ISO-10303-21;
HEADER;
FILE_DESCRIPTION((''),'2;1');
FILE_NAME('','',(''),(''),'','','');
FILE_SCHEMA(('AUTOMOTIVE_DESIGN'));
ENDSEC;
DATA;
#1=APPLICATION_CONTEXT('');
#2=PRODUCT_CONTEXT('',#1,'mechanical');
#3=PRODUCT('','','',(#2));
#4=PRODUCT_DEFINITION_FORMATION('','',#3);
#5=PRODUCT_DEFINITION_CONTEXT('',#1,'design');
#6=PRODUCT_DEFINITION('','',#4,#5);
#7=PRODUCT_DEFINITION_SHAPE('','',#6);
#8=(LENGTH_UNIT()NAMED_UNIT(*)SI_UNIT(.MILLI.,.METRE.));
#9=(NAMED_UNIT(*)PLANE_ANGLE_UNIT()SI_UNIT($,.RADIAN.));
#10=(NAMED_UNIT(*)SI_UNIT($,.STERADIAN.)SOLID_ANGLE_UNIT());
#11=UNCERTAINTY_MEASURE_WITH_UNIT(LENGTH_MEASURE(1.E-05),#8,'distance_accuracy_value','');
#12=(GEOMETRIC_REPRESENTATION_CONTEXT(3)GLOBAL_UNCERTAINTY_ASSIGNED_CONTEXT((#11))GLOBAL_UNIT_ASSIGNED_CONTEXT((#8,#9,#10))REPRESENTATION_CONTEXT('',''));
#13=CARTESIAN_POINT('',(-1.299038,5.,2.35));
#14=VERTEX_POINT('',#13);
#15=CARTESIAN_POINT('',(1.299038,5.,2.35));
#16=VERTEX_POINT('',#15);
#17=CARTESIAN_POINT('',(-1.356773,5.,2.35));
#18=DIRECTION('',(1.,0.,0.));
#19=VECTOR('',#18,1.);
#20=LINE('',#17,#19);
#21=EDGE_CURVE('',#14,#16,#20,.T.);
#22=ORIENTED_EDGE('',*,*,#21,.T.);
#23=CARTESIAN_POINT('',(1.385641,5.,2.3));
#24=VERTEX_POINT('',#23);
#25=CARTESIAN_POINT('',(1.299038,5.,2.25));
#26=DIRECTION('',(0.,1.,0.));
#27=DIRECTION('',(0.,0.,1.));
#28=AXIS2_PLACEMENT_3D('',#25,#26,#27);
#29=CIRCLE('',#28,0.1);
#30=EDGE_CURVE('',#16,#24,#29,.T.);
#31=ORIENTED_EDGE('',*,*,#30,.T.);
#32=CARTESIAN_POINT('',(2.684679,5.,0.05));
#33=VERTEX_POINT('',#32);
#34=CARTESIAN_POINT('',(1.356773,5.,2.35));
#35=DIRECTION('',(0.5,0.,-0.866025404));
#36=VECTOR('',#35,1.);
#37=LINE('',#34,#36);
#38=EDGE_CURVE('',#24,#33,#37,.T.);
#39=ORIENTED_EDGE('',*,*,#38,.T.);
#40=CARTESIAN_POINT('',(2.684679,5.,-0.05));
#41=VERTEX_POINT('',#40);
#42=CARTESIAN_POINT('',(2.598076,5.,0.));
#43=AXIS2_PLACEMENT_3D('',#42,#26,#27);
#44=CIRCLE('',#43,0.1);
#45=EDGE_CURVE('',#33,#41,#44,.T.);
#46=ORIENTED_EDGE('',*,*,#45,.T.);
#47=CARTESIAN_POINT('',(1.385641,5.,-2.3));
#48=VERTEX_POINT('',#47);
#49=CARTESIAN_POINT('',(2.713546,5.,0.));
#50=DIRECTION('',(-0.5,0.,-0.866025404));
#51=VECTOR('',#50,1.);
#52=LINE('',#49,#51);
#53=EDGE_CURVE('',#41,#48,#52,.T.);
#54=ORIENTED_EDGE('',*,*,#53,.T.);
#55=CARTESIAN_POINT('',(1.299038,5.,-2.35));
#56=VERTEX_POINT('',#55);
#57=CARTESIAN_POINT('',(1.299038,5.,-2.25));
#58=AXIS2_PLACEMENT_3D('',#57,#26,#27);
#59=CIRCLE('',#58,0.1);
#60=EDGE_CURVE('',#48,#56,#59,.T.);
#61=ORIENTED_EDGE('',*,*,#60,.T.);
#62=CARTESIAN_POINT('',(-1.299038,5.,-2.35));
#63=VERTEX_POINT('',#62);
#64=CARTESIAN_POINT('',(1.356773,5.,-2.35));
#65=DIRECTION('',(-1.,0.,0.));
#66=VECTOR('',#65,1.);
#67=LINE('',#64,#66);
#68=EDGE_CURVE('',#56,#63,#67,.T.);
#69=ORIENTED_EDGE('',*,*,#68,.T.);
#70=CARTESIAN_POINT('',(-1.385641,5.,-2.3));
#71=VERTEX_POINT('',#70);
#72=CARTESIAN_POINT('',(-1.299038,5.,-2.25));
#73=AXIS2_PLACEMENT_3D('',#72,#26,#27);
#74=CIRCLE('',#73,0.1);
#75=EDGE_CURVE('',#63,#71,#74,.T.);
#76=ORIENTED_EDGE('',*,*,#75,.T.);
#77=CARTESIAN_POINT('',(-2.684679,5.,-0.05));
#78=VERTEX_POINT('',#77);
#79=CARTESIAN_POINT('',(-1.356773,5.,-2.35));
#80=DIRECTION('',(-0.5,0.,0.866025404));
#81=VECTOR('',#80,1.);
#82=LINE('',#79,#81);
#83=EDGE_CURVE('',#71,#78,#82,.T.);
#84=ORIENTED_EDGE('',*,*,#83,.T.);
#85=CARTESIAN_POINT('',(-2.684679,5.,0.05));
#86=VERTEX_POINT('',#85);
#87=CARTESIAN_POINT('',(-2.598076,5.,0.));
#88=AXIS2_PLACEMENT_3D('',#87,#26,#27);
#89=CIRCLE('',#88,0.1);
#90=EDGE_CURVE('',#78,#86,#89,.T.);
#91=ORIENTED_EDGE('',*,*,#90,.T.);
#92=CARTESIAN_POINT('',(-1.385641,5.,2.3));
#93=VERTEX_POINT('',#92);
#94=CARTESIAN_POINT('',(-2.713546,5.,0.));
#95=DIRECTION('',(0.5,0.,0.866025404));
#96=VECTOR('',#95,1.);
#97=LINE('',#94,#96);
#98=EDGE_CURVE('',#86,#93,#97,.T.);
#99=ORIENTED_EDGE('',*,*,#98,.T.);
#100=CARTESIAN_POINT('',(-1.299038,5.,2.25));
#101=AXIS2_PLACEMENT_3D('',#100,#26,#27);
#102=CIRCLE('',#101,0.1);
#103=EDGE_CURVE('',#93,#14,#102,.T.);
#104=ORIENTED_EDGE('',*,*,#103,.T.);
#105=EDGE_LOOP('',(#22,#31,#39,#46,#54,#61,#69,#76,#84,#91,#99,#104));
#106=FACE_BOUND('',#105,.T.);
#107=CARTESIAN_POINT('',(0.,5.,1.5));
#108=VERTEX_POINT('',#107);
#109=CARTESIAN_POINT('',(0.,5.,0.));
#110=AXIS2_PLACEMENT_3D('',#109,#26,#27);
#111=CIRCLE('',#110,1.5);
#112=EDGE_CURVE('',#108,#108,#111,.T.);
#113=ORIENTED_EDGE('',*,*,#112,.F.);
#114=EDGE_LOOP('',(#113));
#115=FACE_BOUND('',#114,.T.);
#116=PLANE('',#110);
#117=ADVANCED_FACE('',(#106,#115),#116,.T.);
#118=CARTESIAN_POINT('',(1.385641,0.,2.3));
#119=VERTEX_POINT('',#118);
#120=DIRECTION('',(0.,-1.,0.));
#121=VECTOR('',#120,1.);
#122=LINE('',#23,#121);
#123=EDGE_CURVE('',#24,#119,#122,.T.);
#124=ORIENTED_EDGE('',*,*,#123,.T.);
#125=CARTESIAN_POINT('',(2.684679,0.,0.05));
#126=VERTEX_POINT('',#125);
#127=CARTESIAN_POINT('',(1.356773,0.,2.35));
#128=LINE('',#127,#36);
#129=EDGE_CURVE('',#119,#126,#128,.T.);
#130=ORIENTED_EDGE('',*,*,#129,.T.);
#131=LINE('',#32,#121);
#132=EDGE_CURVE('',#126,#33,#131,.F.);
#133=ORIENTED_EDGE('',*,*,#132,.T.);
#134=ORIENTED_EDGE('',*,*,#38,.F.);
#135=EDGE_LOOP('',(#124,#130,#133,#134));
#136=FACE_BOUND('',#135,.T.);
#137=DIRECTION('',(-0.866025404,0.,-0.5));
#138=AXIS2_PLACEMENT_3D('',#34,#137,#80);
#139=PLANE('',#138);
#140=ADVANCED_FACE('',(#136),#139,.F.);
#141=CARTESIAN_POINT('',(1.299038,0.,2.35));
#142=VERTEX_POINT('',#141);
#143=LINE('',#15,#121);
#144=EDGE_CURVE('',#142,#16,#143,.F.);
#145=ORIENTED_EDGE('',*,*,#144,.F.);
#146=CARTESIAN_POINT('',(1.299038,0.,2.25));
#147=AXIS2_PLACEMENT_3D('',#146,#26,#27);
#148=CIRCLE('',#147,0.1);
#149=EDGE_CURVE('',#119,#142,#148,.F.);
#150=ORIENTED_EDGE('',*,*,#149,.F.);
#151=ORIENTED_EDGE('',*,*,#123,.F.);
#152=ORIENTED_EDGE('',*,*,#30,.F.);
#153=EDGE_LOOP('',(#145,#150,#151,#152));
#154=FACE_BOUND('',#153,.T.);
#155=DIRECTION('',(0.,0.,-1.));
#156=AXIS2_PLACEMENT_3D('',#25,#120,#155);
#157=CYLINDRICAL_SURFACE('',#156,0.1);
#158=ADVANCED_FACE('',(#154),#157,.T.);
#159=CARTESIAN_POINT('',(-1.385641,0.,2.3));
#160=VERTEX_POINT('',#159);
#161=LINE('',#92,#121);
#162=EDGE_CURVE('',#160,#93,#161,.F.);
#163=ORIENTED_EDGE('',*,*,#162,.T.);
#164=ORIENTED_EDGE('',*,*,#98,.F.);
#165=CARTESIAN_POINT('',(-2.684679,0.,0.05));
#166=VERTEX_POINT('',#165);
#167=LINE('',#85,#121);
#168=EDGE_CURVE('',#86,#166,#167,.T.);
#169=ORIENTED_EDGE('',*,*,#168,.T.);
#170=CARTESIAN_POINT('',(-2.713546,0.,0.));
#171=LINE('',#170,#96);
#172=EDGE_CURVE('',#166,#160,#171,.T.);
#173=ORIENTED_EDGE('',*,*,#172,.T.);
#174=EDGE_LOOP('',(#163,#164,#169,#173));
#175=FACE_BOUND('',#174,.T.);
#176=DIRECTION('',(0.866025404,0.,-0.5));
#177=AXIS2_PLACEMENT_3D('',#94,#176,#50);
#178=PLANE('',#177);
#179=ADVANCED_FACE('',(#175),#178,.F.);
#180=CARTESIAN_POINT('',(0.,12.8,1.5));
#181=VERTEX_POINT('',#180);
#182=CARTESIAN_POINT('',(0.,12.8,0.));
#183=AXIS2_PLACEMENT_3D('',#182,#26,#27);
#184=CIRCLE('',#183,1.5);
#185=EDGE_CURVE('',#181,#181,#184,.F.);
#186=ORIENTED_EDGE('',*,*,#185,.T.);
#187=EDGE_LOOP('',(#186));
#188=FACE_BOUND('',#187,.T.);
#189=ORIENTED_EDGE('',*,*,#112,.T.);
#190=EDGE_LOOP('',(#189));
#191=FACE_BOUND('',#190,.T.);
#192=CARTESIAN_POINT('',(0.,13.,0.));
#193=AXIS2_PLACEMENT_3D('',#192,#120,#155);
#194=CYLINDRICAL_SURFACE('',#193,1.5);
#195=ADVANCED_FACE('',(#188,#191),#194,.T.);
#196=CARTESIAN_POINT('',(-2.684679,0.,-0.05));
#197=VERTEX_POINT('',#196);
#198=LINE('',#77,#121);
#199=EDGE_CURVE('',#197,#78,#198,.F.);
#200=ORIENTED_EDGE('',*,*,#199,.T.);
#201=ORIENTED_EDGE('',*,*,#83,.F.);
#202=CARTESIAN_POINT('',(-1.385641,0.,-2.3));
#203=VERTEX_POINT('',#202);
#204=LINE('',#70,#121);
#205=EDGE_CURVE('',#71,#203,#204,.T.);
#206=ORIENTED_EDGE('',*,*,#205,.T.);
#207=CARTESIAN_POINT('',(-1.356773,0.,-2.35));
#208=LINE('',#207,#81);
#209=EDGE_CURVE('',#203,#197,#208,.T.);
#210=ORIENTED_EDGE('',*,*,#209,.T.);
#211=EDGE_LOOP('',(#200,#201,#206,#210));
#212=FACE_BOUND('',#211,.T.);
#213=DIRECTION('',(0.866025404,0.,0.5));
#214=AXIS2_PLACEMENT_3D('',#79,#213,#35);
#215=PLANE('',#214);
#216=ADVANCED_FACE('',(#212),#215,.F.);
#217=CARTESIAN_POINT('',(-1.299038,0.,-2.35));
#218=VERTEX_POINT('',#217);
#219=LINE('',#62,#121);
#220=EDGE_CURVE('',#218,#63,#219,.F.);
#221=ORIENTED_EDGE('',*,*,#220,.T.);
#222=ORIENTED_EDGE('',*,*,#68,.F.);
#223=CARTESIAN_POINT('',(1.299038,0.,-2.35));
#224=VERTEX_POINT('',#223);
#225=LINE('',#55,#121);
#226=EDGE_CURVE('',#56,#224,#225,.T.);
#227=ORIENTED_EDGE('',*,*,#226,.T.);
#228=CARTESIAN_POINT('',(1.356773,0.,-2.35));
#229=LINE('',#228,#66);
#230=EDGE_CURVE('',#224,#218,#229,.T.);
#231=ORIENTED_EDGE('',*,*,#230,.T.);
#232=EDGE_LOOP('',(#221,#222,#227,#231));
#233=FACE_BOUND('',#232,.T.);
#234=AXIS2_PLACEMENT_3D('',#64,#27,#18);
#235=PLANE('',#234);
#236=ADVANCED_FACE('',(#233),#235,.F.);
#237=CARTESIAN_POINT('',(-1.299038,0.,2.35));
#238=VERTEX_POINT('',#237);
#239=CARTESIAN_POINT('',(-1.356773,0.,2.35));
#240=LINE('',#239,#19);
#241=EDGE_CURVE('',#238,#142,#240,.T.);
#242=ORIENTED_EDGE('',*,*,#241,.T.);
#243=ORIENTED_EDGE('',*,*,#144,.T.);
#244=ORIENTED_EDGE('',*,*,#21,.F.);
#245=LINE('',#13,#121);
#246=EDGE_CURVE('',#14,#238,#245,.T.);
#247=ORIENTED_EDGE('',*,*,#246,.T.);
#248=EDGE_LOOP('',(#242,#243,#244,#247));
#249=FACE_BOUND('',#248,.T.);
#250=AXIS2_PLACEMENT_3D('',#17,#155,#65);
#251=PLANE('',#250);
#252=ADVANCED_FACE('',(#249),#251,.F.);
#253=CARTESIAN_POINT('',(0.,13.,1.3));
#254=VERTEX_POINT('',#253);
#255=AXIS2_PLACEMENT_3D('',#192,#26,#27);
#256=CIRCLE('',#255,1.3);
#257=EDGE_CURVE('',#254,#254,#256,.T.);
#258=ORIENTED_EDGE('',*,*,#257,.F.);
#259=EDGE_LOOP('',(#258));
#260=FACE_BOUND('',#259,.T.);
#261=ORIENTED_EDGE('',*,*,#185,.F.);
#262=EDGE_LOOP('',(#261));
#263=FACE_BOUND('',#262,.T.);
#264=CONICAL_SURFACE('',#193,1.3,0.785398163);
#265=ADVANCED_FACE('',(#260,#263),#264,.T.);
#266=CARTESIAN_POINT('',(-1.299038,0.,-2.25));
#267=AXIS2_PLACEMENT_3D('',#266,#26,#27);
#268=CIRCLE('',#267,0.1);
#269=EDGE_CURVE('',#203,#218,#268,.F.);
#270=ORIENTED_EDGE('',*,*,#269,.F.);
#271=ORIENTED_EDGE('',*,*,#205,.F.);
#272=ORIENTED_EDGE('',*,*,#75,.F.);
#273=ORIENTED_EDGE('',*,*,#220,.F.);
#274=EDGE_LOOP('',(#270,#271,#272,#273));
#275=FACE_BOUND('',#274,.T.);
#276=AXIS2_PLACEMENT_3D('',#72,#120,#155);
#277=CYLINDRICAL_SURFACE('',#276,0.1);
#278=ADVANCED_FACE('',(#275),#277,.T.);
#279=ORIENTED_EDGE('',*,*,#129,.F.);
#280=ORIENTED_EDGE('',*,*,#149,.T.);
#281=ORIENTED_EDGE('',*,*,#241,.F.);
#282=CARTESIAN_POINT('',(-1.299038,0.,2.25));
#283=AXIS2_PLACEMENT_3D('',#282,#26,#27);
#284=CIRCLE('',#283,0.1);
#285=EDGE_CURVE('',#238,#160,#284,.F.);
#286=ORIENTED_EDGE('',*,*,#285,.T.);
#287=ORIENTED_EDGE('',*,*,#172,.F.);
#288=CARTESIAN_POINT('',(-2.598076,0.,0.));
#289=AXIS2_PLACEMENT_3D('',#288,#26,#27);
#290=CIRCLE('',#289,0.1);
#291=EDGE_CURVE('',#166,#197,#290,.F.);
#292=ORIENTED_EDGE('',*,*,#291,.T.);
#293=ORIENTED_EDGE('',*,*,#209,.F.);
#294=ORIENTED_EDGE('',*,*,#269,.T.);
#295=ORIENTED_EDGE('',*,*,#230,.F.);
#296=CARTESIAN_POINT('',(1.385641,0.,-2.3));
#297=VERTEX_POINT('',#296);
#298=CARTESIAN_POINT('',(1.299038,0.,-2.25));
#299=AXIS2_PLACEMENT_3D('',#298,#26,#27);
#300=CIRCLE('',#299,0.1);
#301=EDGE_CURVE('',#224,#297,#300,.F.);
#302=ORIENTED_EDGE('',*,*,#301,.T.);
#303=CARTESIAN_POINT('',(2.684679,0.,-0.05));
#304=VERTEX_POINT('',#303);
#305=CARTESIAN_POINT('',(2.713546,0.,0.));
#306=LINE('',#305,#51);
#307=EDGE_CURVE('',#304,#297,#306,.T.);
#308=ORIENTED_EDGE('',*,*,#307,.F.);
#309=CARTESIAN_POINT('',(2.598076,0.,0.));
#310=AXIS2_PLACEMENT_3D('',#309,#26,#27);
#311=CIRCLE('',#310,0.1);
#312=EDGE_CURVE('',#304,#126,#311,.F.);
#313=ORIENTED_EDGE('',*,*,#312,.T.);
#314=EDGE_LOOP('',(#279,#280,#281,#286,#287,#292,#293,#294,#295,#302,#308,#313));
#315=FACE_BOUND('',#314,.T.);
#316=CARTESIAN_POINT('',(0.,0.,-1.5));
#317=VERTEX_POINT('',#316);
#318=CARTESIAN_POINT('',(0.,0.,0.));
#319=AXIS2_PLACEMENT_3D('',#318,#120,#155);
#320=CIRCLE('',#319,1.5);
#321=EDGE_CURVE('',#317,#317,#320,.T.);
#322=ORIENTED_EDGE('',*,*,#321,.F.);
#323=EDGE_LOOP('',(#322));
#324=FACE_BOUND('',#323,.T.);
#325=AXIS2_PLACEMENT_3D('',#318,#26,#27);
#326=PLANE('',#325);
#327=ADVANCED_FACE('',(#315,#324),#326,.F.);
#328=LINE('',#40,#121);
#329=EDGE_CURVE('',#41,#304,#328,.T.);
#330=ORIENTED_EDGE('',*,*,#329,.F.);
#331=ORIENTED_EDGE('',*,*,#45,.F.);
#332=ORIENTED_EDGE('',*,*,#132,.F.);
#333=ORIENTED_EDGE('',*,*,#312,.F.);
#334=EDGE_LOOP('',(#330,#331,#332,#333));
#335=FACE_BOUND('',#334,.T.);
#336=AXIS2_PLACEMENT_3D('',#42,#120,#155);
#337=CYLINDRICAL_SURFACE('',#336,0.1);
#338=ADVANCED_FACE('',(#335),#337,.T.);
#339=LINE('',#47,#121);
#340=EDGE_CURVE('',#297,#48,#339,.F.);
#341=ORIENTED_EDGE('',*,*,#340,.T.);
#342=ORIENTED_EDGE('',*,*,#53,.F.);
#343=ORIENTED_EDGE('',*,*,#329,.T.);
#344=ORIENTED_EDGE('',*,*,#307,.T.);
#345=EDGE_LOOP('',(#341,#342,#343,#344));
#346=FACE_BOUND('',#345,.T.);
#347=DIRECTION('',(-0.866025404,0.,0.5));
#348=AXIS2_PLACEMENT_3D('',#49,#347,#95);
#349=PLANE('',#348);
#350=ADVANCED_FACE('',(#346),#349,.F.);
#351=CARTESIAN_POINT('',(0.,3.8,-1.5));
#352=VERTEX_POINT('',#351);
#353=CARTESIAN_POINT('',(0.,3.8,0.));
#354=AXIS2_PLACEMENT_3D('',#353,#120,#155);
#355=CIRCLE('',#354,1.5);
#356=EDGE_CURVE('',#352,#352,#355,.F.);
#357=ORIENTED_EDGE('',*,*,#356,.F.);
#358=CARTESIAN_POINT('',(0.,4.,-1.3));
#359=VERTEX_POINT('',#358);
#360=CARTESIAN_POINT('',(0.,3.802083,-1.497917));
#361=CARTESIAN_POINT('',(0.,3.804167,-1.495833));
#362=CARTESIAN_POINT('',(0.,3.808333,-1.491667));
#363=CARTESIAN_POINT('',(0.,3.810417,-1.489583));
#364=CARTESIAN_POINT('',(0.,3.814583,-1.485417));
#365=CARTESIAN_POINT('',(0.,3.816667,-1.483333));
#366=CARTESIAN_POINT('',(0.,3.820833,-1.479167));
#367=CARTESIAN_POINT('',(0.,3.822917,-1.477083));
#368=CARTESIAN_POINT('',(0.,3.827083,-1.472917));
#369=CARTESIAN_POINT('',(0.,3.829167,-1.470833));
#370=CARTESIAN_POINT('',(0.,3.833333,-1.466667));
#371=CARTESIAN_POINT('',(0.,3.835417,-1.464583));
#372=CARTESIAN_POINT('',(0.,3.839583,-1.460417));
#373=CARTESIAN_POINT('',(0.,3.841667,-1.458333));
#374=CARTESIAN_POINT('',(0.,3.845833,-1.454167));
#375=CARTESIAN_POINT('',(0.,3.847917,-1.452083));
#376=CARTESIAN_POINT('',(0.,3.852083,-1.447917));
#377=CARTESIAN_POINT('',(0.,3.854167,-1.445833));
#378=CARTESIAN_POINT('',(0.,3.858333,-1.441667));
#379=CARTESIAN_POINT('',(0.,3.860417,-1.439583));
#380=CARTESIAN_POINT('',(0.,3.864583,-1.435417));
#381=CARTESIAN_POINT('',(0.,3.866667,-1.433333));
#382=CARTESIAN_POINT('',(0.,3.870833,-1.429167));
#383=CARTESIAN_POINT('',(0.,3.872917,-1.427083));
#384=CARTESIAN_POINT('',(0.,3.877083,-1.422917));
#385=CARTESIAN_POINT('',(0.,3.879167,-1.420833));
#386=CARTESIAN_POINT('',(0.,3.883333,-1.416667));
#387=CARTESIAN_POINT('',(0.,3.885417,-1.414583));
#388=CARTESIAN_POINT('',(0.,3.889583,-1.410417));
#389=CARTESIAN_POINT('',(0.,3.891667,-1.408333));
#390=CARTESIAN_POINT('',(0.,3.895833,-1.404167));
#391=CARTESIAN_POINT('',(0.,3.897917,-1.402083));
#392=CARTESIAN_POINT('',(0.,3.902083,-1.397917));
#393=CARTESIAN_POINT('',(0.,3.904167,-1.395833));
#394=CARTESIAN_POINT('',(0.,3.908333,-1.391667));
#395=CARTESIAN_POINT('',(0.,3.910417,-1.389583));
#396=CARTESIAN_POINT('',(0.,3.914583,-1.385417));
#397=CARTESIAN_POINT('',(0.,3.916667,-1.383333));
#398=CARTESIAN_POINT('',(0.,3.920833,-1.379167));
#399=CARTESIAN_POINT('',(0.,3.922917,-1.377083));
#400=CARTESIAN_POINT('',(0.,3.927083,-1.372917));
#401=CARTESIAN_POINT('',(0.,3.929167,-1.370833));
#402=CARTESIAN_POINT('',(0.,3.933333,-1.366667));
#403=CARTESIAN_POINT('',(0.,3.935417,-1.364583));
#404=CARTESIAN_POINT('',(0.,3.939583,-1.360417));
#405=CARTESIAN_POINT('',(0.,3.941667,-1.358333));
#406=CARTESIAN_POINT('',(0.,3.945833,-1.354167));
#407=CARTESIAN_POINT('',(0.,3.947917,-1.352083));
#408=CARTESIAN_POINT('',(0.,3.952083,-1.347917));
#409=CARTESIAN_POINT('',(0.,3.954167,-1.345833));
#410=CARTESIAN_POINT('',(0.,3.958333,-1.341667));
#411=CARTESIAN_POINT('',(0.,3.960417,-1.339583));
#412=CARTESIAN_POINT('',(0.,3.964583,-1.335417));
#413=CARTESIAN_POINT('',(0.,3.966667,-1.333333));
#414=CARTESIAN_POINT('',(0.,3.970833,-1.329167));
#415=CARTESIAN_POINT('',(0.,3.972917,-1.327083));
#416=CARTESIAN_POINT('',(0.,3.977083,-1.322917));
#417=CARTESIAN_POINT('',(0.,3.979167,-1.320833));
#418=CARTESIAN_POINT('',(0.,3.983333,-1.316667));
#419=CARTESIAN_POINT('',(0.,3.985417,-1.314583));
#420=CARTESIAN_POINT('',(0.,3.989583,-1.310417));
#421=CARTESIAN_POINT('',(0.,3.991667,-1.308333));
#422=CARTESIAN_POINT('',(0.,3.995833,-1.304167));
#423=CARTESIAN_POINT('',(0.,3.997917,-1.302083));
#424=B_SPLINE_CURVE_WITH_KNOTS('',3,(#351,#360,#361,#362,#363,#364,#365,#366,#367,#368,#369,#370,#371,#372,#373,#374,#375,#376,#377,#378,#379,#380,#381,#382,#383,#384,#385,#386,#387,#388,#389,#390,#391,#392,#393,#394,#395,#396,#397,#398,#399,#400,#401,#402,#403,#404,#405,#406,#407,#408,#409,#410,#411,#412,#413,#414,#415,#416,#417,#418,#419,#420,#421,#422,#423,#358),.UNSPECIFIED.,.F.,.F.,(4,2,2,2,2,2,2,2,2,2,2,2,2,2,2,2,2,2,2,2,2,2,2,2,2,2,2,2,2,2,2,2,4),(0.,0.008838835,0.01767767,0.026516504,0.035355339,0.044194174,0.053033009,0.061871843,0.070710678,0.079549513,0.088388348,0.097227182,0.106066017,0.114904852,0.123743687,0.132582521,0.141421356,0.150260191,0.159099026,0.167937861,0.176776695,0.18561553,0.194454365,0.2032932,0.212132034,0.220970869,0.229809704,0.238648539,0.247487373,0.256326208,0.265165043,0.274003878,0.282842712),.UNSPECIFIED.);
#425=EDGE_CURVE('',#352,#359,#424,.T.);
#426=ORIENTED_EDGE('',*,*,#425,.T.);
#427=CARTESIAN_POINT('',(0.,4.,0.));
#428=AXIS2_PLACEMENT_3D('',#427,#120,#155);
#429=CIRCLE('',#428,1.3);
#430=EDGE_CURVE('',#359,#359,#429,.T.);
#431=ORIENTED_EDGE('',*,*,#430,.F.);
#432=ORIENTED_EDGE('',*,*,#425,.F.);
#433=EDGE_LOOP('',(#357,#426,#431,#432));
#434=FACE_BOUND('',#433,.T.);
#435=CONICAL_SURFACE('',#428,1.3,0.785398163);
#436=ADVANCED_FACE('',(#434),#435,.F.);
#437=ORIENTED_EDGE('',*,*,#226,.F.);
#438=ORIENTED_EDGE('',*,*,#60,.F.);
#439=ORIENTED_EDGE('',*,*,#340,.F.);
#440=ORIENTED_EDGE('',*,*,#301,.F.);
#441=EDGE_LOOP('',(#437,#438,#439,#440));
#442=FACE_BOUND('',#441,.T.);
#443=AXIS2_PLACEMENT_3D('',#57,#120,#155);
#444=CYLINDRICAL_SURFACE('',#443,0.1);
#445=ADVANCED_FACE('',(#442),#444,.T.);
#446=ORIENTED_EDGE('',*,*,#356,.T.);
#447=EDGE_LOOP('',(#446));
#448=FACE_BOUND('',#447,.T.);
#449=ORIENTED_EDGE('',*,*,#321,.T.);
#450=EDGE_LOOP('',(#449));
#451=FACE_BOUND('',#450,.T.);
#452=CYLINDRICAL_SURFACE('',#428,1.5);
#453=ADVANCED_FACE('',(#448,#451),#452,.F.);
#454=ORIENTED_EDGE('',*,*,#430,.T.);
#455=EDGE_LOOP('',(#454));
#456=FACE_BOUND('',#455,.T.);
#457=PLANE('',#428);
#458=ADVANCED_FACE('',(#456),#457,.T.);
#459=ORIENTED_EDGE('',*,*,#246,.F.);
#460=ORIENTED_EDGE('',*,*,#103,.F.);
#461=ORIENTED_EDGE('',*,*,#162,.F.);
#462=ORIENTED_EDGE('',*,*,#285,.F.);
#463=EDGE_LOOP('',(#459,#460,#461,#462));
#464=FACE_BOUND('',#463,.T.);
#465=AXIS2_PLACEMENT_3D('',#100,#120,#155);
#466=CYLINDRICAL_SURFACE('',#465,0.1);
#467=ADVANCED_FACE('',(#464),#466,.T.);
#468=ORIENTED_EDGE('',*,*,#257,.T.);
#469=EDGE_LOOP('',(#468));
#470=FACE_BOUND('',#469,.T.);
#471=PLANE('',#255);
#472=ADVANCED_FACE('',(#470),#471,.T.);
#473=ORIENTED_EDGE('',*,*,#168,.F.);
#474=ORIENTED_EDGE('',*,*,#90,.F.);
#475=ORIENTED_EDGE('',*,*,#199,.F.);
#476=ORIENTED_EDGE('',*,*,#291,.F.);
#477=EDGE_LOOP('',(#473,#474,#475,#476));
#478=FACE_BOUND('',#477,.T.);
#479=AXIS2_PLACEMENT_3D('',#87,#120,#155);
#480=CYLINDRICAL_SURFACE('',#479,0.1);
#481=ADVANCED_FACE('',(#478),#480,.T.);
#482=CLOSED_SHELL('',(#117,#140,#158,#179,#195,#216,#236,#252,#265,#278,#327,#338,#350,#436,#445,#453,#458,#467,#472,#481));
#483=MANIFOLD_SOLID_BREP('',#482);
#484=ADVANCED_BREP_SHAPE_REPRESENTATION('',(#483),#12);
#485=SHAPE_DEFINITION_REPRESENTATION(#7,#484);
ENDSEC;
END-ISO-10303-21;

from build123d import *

# Parameters (mm, degrees)
EXTRUDE_1_DEPTH     = 5
SKETCH_2_R          = 1.5
EXTRUDE_2_DEPTH     = 8
SKETCH_3_R          = 1.5
CUT_EXTRUDE_1_DEPTH = 4
CHAMFER_1_SIZE      = 0.2
FILLET_1_R          = 0.1


with BuildPart() as part:
    # 草图1 → 凸台-拉伸1 (new body)
    with BuildSketch(Plane(origin=(0, 0, 0), x_dir=(1, 0, 0), z_dir=(0, 1, 0))):
        Polygon((2.713546265, 0), (1.356773133, 2.35), (-1.356773133, 2.35), (-2.713546265, 0), (-1.356773133, -2.35), (1.356773133, -2.35), align=None)
    extrude(amount=EXTRUDE_1_DEPTH)

    # 草图2 → 凸台-拉伸2 (add)
    with BuildSketch(Plane(origin=(0, 5, 0), x_dir=(1, 0, 0), z_dir=(0, 1, 0))):
        with Locations(Location((0, 0, 0), (0, 0, 270))):
            Circle(SKETCH_2_R)
    extrude(amount=EXTRUDE_2_DEPTH)

    # 草图3 → 切除-拉伸1 (cut)
    with BuildSketch(Plane.XZ):
        with Locations(Location((0, 0, 0), (0, 0, 90))):
            Circle(SKETCH_3_R)
    extrude(amount=-CUT_EXTRUDE_1_DEPTH, mode=Mode.SUBTRACT)

    # 倒角1
    chamfer_1_edges = [part.edges().sort_by_distance(p)[0] for p in [
        (0, 13, -1.5),
        (0, 4, -1.5),
    ]]
    chamfer(chamfer_1_edges, length=CHAMFER_1_SIZE)

    # 圆角1
    fillet_1_edges = [part.edges().sort_by_distance(p)[0] for p in [
        (1.356773133, 2.5, 2.35),
        (-1.356773133, 2.5, 2.35),
        (-2.713546265, 2.5, 0),
        (-1.356773133, 2.5, -2.35),
        (1.356773133, 2.5, -2.35),
        (2.713546265, 2.5, 0),
    ]]
    fillet(fillet_1_edges, radius=FILLET_1_R)


solid = part.part
